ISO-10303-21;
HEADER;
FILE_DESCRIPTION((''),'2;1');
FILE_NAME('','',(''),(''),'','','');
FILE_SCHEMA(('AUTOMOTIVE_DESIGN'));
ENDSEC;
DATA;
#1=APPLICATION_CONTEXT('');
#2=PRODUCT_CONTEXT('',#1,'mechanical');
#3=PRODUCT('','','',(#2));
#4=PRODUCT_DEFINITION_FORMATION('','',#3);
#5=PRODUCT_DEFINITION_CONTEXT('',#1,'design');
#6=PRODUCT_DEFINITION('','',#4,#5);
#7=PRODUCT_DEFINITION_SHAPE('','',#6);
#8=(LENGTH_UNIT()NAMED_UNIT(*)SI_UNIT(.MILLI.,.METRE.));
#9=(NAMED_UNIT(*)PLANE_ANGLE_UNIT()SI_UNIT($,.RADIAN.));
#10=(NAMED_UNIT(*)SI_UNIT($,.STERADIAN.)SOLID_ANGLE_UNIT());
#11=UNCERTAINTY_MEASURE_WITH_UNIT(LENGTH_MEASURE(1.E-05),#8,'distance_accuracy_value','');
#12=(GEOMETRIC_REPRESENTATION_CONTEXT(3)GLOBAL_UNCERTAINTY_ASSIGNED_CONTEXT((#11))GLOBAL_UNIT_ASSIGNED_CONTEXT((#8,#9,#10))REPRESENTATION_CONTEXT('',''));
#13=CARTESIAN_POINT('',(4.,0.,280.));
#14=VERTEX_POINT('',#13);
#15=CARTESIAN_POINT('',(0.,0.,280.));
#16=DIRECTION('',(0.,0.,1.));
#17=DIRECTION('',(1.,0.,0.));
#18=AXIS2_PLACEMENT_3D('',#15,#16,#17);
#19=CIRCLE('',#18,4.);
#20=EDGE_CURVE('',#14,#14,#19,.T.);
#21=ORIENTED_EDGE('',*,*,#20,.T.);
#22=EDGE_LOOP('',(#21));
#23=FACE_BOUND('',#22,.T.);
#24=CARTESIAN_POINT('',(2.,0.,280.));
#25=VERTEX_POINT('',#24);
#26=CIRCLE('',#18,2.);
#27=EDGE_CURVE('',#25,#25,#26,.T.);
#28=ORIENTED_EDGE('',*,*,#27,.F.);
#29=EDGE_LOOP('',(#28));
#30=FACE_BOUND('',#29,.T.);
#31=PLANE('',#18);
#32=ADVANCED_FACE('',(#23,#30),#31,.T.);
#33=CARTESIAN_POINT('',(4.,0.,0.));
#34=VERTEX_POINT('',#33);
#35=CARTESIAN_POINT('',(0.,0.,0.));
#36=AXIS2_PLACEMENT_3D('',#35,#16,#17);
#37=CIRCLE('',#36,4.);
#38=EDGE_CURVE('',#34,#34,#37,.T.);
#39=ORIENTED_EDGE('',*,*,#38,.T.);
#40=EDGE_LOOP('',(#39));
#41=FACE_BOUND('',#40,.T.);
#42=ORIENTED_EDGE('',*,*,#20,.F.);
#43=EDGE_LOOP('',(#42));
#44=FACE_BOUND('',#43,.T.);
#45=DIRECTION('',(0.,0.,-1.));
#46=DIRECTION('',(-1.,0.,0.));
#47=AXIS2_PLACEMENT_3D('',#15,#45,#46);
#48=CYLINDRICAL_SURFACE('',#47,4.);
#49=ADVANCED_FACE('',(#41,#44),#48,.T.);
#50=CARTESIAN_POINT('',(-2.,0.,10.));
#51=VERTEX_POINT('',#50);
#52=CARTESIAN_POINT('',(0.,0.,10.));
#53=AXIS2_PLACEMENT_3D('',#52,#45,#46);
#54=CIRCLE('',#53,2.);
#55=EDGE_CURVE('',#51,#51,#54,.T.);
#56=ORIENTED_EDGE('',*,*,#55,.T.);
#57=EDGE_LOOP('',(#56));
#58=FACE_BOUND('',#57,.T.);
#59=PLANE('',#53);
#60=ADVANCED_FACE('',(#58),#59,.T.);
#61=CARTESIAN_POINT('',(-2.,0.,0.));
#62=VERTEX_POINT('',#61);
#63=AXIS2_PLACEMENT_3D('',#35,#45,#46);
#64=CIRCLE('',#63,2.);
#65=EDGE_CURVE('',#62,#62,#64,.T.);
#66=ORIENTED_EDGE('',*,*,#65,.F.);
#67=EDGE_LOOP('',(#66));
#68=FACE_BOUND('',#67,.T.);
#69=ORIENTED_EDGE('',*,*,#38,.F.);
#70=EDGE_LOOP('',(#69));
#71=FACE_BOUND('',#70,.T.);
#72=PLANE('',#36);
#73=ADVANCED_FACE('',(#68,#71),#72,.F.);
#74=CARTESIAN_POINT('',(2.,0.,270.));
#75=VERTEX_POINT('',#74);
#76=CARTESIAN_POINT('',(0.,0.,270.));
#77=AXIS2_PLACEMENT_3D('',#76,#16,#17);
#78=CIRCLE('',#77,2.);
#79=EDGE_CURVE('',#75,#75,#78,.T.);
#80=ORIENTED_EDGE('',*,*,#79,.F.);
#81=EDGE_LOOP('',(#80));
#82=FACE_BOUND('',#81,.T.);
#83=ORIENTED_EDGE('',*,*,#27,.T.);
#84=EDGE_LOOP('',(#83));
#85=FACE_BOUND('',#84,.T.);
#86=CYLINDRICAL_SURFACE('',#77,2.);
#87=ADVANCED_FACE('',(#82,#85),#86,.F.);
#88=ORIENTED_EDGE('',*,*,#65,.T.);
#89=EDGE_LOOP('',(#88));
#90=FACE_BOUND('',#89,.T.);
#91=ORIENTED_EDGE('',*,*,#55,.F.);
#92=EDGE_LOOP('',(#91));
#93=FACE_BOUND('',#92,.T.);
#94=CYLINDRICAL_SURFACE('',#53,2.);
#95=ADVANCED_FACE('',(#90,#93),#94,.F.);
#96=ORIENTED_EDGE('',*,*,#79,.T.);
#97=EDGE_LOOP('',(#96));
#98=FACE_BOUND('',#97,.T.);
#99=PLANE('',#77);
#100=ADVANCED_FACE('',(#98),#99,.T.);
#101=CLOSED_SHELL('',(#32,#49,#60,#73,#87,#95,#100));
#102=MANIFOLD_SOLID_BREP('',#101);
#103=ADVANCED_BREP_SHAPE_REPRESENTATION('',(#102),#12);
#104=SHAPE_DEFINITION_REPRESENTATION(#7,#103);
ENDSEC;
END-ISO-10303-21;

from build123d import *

# Parameters (mm, degrees)
SKETCH_1_R          = 4
EXTRUDE_1_DEPTH     = 280
SKETCH_2_R          = 2
CUT_EXTRUDE_1_DEPTH = 10
CUT_EXTRUDE_START   = -10
SKETCH_3_R          = 2
CUT_EXTRUDE_2_DEPTH = 10


with BuildPart() as part:
    # 草图1 → 凸台-拉伸1 (new body)
    with BuildSketch(Plane.XY):
        Circle(SKETCH_1_R)
    extrude(amount=EXTRUDE_1_DEPTH)

    # 草图2 → 切除-拉伸1 (cut)
    with BuildSketch(Plane.XY.offset(280)):
        Circle(SKETCH_2_R)
    extrude(amount=-CUT_EXTRUDE_1_DEPTH, mode=Mode.SUBTRACT)

    # 草图3 → 切除-拉伸2 (cut)
    with BuildSketch(Plane(origin=(0, 0, 0), x_dir=(-1, 0, 0), z_dir=(0, 0, -1)).offset(CUT_EXTRUDE_START)):
        with Locations(Location((0, 0, 0), (0, 0, 180))):
            Circle(SKETCH_3_R)
    extrude(amount=CUT_EXTRUDE_2_DEPTH, mode=Mode.SUBTRACT)


solid = part.part
